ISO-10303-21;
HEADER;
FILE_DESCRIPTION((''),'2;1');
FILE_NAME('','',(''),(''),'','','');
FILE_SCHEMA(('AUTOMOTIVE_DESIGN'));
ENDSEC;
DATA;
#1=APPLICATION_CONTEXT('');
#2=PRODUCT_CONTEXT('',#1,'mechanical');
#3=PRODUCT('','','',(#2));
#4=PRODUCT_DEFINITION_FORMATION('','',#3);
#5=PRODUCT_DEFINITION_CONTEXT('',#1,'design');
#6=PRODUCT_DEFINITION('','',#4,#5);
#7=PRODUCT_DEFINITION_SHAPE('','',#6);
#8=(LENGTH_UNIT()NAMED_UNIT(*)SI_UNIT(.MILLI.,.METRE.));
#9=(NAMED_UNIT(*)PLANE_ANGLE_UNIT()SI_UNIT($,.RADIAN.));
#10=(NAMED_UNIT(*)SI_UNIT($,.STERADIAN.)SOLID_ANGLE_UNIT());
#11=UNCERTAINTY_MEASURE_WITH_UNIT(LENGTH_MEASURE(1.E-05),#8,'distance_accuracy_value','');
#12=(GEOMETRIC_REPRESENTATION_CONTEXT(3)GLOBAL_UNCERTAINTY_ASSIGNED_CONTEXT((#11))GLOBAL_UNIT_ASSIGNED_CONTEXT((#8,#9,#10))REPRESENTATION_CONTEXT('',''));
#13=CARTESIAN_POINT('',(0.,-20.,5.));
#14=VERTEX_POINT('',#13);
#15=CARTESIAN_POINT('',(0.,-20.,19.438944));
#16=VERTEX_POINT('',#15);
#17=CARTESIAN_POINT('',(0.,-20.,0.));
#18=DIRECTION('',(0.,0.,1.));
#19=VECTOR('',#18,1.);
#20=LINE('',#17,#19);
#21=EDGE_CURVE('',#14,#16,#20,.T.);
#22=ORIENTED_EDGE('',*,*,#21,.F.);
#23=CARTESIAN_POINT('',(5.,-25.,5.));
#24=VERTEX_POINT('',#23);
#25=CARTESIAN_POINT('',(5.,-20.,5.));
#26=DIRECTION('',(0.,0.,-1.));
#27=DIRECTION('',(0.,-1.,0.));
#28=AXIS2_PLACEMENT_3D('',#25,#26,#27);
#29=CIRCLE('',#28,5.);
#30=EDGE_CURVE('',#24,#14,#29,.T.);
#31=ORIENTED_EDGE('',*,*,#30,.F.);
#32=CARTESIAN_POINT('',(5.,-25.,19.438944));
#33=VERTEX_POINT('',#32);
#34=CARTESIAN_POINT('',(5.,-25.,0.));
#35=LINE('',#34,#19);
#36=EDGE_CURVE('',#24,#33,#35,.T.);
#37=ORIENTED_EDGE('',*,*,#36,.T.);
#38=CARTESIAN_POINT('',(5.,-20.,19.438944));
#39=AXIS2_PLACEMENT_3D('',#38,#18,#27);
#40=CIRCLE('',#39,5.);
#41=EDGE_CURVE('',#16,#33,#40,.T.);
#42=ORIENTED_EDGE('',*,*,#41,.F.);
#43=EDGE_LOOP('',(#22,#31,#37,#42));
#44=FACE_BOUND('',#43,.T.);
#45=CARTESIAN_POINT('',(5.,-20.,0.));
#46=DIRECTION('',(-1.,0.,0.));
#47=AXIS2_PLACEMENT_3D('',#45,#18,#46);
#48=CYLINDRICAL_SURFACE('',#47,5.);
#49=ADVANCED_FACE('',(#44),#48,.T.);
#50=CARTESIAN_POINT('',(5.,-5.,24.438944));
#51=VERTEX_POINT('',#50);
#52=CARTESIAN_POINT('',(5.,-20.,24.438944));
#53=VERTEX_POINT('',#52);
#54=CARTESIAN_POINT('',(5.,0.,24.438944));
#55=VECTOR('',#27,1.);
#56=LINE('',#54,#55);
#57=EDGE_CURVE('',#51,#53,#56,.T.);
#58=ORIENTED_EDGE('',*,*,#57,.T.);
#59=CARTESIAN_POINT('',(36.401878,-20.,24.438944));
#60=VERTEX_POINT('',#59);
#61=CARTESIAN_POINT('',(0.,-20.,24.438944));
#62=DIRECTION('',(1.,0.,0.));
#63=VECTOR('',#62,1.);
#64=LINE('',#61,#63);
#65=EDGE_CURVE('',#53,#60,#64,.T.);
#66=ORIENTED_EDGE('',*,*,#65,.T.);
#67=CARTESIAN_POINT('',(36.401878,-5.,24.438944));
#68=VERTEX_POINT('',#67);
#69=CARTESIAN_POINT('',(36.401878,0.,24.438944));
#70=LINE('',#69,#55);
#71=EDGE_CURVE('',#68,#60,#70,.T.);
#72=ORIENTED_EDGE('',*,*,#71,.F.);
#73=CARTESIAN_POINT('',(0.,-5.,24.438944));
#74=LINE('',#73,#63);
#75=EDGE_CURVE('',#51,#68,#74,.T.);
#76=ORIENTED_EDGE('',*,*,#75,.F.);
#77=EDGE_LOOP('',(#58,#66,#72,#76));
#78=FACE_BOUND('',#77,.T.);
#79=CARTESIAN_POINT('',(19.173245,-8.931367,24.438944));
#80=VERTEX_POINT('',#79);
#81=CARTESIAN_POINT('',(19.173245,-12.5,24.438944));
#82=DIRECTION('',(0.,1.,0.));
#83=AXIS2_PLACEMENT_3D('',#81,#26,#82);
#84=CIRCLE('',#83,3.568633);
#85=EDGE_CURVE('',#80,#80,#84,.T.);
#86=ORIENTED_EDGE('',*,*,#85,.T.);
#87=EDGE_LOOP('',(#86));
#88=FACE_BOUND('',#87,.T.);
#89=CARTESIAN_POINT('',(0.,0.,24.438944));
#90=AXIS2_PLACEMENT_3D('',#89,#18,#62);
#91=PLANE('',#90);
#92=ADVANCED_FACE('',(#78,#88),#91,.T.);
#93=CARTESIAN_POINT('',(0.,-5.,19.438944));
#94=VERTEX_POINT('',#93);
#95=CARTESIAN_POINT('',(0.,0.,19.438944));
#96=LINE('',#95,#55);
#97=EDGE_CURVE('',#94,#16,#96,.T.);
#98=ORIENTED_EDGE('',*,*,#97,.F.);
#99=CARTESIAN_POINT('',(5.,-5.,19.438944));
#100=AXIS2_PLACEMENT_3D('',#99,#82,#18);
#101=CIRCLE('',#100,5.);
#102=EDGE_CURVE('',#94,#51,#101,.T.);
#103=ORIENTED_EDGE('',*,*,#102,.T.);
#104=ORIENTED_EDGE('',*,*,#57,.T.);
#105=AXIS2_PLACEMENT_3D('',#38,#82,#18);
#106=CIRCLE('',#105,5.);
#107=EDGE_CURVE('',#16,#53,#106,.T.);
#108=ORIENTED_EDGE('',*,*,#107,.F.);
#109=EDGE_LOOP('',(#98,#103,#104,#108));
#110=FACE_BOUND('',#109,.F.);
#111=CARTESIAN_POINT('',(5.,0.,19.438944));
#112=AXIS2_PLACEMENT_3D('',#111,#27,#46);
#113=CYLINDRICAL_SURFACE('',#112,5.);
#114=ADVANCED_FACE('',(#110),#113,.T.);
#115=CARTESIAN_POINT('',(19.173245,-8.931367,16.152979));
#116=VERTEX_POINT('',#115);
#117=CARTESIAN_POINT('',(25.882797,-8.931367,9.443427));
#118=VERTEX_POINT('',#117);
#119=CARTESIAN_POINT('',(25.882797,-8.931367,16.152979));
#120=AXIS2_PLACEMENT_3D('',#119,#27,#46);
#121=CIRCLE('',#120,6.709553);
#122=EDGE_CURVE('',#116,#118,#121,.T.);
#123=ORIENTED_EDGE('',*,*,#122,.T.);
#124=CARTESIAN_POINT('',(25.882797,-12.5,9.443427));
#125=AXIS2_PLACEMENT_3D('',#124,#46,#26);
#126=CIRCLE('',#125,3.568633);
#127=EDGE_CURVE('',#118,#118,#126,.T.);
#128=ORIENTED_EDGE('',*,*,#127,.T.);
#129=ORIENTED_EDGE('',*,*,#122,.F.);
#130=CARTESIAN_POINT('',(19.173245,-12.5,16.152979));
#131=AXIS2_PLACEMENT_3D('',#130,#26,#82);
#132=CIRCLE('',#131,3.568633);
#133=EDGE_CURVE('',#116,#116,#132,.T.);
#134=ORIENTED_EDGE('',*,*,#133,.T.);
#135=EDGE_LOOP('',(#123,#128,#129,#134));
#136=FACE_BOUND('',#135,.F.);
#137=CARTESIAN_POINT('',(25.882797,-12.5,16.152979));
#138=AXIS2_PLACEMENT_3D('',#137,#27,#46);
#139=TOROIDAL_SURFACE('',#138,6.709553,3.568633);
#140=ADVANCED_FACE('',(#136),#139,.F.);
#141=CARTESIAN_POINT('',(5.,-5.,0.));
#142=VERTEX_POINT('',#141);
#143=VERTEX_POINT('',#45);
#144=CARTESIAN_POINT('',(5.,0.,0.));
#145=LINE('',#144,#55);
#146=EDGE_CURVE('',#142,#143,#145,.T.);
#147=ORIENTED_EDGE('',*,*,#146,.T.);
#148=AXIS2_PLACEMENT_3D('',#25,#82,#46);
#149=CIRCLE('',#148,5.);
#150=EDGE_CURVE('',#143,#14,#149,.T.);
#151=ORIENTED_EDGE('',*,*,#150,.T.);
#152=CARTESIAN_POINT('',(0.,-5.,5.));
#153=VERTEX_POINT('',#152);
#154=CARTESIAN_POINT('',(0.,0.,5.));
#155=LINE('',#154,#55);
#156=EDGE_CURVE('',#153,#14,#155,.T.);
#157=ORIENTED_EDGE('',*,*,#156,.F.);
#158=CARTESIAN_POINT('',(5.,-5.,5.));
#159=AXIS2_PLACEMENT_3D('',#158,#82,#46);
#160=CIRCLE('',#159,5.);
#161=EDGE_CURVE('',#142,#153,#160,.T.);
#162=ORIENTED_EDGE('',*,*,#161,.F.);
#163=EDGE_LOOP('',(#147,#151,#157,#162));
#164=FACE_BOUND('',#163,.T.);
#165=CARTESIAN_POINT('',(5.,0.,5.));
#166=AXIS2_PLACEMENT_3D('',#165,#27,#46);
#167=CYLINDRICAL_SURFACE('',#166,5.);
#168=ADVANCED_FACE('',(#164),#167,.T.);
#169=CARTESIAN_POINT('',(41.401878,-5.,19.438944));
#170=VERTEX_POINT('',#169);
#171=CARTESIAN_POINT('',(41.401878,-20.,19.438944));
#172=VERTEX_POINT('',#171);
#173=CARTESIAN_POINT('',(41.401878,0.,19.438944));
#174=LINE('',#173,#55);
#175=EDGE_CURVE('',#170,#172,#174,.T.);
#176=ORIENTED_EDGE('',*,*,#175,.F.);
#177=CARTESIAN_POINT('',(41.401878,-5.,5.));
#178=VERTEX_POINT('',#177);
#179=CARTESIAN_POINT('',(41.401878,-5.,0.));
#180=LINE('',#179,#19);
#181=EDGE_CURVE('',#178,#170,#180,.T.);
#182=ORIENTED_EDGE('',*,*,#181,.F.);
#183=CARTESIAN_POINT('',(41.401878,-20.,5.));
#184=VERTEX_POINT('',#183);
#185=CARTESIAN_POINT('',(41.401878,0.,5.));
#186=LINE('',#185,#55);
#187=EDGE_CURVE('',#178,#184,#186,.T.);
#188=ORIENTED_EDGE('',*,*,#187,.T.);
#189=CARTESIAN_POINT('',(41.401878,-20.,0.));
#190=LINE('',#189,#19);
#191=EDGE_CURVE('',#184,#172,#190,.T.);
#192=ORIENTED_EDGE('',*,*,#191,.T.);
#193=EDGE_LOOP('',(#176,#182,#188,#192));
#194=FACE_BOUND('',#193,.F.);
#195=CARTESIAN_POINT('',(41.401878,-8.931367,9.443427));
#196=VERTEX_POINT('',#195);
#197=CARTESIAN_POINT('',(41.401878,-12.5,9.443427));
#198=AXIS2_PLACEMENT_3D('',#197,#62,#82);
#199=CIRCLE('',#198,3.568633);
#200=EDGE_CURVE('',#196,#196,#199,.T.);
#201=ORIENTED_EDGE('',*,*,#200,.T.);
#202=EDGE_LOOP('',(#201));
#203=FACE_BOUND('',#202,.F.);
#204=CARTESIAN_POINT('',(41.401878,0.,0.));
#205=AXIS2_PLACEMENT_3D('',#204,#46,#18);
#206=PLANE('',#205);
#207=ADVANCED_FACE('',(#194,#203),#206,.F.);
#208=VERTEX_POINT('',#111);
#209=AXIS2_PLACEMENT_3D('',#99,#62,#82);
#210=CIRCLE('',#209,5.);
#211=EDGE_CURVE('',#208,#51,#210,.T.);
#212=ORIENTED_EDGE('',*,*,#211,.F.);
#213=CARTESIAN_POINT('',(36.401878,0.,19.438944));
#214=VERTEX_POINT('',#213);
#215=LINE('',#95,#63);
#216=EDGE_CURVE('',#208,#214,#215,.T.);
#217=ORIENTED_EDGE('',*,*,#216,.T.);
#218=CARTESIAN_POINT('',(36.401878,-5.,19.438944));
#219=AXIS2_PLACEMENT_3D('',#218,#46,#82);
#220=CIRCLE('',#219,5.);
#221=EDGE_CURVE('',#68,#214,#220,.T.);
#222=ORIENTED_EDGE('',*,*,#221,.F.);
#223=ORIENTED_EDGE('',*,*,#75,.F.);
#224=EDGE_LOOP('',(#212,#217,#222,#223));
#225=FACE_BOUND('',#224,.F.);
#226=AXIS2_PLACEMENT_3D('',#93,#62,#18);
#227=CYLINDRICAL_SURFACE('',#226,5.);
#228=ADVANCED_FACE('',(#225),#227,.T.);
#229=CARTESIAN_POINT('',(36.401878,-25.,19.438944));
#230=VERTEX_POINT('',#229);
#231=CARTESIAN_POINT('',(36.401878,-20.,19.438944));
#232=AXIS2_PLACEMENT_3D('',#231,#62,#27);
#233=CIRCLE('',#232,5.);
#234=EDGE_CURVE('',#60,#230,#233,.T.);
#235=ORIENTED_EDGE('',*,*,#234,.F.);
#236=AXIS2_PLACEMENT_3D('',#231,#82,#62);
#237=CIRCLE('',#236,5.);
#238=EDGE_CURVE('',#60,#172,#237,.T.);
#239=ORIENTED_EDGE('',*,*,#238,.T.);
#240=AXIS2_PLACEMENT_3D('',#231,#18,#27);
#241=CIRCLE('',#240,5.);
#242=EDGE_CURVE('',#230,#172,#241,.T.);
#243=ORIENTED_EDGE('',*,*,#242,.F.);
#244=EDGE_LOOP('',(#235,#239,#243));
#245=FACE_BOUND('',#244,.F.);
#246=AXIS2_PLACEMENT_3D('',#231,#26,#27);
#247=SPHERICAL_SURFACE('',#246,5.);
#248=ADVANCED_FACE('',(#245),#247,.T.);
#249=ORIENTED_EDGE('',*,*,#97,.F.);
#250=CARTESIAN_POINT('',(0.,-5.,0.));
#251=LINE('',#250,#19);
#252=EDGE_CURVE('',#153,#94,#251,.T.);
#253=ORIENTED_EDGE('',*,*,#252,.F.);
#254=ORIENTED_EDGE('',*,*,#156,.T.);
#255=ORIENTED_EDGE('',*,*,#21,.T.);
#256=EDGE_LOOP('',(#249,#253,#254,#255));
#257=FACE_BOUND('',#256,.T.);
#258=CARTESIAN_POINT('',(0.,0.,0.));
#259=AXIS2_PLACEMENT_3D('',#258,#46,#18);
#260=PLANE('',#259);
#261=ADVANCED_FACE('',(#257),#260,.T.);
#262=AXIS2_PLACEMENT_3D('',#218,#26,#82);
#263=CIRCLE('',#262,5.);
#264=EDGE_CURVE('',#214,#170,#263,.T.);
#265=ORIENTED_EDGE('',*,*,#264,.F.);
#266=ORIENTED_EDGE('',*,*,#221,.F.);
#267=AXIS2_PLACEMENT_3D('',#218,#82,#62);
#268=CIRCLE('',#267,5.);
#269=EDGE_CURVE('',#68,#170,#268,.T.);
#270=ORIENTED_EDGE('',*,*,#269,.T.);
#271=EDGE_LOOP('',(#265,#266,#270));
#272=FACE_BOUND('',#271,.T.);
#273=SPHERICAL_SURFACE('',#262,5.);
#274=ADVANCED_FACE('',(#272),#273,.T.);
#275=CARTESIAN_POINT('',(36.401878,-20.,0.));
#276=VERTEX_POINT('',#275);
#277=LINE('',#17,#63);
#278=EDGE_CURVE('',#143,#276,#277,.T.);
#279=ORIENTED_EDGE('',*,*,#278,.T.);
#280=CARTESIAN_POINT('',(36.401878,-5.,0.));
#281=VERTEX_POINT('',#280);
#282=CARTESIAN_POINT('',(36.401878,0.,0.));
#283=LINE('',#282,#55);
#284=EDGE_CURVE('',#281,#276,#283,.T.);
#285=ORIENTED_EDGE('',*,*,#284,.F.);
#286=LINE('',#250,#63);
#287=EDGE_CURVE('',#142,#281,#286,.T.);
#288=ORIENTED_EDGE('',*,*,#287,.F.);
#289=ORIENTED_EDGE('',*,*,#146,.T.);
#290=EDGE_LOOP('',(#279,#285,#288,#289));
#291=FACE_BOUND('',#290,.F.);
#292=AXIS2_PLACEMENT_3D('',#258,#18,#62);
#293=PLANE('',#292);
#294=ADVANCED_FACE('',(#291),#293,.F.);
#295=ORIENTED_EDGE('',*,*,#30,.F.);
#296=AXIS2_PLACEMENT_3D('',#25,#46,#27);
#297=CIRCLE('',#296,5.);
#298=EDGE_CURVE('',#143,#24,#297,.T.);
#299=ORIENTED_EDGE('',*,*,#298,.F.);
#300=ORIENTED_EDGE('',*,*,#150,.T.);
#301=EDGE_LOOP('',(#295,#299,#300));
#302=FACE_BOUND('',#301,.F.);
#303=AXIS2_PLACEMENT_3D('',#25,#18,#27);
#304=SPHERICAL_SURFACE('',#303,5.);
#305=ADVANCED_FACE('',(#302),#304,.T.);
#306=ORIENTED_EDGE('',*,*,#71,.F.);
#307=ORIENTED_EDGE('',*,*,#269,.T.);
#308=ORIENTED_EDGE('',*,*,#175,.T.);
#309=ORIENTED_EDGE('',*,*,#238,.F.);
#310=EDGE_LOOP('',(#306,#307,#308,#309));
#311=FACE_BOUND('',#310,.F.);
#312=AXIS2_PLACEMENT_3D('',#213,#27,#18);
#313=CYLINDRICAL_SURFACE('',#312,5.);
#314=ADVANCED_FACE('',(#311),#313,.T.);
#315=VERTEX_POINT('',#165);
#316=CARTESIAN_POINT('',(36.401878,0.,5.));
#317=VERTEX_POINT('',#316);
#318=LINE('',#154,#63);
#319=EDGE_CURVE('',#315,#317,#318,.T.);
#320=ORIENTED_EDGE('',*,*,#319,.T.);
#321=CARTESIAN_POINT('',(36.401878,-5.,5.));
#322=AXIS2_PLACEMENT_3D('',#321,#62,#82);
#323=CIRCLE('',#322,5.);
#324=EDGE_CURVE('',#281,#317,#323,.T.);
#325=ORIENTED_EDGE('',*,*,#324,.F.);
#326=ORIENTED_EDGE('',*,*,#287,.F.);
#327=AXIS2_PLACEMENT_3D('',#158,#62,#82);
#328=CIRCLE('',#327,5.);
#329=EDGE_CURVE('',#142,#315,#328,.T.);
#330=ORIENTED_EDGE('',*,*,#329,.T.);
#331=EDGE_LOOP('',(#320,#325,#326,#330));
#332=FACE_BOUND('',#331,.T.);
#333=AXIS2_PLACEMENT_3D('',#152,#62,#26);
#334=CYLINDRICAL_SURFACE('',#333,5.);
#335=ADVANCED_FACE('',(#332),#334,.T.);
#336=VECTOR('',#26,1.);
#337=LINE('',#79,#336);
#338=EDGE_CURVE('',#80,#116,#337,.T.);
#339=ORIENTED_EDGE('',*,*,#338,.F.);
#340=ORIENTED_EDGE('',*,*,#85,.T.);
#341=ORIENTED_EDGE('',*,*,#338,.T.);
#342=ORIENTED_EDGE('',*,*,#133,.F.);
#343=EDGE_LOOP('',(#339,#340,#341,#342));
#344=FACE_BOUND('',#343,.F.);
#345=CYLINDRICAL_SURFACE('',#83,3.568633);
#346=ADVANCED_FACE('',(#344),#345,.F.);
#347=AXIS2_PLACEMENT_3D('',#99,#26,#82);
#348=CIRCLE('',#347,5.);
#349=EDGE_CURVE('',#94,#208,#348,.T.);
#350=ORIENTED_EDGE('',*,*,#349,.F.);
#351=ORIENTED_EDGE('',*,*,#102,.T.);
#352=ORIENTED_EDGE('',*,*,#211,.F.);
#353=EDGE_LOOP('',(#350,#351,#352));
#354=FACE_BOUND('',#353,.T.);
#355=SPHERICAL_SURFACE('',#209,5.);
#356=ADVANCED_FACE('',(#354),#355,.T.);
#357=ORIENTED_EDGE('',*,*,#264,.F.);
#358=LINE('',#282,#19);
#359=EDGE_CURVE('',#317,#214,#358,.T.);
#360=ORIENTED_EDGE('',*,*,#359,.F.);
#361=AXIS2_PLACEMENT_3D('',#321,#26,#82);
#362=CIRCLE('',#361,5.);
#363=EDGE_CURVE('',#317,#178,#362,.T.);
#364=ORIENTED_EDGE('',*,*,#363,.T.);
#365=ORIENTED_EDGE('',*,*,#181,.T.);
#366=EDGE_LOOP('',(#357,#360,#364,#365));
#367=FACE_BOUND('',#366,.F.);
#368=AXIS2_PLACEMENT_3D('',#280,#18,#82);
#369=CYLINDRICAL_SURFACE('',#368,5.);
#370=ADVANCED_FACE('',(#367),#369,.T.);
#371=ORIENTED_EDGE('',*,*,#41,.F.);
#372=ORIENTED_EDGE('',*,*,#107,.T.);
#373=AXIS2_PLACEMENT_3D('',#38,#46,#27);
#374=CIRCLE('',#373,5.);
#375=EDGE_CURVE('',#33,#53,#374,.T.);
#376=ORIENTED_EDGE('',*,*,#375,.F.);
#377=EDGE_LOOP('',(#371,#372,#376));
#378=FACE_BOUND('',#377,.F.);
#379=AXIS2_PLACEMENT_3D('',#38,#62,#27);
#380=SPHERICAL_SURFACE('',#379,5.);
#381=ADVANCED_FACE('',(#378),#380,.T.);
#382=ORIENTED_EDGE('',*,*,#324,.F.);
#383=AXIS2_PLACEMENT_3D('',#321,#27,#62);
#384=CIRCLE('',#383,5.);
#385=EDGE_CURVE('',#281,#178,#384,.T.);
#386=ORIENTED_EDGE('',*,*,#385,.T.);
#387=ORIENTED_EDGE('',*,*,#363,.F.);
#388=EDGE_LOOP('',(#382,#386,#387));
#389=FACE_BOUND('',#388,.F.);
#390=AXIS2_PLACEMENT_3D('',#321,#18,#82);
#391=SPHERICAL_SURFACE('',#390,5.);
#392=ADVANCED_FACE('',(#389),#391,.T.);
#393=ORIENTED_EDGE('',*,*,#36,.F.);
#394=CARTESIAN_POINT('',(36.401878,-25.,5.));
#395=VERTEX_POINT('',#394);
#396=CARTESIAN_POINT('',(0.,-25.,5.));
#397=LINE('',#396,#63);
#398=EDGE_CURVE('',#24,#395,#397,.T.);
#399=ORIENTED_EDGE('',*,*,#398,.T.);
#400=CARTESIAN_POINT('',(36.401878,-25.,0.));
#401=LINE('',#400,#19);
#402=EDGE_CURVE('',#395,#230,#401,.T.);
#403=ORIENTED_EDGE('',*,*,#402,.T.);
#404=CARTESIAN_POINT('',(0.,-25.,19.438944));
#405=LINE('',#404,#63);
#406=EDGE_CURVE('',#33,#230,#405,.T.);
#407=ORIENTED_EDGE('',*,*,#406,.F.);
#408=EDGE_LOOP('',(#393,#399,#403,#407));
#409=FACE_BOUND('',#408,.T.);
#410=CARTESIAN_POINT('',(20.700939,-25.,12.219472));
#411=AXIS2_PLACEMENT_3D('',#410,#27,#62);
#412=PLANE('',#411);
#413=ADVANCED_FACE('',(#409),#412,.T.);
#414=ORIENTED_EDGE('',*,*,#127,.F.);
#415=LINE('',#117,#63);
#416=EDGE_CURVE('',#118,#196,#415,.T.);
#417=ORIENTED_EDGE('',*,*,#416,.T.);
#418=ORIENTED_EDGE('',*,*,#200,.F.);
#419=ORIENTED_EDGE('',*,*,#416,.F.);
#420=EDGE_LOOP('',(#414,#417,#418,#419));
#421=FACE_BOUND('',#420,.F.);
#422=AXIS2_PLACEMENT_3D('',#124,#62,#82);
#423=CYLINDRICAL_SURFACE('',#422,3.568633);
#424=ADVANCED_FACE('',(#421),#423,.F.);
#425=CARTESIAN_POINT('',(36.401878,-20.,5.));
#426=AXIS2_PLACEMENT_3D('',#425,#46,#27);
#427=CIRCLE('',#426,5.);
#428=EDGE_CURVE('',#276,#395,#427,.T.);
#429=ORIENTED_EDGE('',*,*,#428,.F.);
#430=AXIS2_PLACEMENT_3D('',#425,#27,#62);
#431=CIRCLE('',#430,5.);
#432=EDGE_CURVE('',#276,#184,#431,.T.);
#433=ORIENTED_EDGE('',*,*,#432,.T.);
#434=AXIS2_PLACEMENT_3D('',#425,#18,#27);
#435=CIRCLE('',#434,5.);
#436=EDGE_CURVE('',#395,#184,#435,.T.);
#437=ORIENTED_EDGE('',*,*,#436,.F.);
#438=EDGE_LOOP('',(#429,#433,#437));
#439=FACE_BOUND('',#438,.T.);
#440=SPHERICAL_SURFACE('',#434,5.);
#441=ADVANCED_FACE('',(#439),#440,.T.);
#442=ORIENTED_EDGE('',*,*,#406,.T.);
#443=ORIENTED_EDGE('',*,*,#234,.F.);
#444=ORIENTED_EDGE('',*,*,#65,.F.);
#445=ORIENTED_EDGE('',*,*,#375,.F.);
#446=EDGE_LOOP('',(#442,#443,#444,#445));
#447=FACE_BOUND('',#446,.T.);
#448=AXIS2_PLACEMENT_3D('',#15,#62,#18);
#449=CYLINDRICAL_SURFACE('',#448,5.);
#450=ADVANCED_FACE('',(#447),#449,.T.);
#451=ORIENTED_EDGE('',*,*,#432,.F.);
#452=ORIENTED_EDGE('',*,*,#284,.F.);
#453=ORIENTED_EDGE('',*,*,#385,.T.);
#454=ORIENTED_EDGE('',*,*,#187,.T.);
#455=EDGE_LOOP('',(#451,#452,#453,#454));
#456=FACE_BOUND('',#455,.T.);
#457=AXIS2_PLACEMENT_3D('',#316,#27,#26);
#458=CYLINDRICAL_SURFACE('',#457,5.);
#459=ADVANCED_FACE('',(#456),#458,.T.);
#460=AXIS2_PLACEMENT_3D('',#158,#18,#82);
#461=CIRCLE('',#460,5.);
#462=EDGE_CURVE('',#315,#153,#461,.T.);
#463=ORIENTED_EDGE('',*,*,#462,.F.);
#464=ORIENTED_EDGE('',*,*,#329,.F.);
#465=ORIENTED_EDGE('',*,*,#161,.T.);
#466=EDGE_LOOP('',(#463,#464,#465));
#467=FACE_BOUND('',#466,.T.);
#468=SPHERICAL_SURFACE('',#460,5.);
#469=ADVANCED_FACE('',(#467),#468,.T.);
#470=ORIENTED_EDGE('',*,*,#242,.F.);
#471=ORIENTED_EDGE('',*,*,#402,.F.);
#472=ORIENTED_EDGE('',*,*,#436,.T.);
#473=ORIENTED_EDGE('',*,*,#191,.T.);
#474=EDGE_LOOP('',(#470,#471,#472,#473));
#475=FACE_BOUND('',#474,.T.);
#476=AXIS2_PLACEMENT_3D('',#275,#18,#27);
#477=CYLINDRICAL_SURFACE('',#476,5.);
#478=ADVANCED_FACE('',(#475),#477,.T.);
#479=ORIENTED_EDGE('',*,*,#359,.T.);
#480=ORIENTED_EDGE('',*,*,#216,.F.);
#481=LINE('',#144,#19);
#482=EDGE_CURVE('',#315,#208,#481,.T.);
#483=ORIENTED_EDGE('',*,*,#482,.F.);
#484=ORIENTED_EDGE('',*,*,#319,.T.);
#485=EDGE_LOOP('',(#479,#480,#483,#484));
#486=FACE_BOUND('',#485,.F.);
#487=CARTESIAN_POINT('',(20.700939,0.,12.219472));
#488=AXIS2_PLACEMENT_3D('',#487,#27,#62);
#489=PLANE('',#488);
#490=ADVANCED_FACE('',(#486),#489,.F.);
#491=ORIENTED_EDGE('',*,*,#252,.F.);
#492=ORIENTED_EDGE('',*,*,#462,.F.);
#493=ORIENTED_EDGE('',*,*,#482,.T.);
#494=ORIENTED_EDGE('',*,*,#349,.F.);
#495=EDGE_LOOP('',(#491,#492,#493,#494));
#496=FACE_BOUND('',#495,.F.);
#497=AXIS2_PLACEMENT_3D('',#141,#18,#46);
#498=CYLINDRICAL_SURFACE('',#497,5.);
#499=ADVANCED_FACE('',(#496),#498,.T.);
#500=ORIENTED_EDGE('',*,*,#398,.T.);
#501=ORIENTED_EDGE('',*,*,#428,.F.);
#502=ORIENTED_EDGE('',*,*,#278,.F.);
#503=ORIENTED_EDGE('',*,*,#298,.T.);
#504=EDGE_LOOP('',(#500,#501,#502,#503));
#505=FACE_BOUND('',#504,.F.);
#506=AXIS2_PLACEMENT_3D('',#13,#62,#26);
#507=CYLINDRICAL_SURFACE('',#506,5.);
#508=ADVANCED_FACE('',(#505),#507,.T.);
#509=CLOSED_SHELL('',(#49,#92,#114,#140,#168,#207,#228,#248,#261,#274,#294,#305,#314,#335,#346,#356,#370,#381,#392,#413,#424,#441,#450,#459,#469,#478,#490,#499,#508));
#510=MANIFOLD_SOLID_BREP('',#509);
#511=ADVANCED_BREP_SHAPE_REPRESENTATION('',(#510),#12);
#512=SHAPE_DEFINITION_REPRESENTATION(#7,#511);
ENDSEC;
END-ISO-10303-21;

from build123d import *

# Parameters (mm, degrees)
F0_W     = 41.4018779993
F0_H     = 24.4389437139
F1_DEPTH = 25
F4_R     = 3.5686331082
F6_R     = 5


with BuildPart() as f1:
    # F0 (on Front) → F1 (new body)
    with BuildSketch(Plane.XZ):
        with Locations((20.7009389997, 12.219471857)):
            Rectangle(F0_W, F0_H)
    extrude(amount=F1_DEPTH)

    # F5: sweep along a path in F3
    with BuildLine(Plane.XZ.offset(12.5)) as f5_path:
        Line((19.1687617356, 24.4389437139), (19.1687617356, 16.1529793682))
        ThreePointArc((19.1687617356, 16.1529793682), (21.1352572497, 11.4054392279), (25.88279739, 9.4389437139))
        Line((25.88279739, 9.4389437139), (41.4018779993, 9.4389437139))
    # F4 (on face) → F5 (sweep, cut)
    with BuildSketch(Plane.YZ.offset(41.4018779993)):
        with Locations((-12.5, 9.4434265047)):
            Circle(F4_R)
    sweep(path=f5_path.line, mode=Mode.SUBTRACT)

    # F6
    f6_edges = [f1.edges().sort_by_distance(p)[0] for p in [
        (41.401878, 0, 12.219472),
        (20.700939, 0, 24.438944),
        (0, 0, 12.219472),
        (20.700939, 0, 0),
        (41.401878, -25, 12.219472),
        (20.700939, -25, 24.438944),
        (0, -25, 12.219472),
        (20.700939, -25, 0),
        (41.401878, -12.5, 0),
        (0, -12.5, 0),
        (41.401878, -12.5, 24.438944),
        (0, -12.5, 24.438944),
    ]]
    fillet(f6_edges, radius=F6_R)


solid = f1.part
